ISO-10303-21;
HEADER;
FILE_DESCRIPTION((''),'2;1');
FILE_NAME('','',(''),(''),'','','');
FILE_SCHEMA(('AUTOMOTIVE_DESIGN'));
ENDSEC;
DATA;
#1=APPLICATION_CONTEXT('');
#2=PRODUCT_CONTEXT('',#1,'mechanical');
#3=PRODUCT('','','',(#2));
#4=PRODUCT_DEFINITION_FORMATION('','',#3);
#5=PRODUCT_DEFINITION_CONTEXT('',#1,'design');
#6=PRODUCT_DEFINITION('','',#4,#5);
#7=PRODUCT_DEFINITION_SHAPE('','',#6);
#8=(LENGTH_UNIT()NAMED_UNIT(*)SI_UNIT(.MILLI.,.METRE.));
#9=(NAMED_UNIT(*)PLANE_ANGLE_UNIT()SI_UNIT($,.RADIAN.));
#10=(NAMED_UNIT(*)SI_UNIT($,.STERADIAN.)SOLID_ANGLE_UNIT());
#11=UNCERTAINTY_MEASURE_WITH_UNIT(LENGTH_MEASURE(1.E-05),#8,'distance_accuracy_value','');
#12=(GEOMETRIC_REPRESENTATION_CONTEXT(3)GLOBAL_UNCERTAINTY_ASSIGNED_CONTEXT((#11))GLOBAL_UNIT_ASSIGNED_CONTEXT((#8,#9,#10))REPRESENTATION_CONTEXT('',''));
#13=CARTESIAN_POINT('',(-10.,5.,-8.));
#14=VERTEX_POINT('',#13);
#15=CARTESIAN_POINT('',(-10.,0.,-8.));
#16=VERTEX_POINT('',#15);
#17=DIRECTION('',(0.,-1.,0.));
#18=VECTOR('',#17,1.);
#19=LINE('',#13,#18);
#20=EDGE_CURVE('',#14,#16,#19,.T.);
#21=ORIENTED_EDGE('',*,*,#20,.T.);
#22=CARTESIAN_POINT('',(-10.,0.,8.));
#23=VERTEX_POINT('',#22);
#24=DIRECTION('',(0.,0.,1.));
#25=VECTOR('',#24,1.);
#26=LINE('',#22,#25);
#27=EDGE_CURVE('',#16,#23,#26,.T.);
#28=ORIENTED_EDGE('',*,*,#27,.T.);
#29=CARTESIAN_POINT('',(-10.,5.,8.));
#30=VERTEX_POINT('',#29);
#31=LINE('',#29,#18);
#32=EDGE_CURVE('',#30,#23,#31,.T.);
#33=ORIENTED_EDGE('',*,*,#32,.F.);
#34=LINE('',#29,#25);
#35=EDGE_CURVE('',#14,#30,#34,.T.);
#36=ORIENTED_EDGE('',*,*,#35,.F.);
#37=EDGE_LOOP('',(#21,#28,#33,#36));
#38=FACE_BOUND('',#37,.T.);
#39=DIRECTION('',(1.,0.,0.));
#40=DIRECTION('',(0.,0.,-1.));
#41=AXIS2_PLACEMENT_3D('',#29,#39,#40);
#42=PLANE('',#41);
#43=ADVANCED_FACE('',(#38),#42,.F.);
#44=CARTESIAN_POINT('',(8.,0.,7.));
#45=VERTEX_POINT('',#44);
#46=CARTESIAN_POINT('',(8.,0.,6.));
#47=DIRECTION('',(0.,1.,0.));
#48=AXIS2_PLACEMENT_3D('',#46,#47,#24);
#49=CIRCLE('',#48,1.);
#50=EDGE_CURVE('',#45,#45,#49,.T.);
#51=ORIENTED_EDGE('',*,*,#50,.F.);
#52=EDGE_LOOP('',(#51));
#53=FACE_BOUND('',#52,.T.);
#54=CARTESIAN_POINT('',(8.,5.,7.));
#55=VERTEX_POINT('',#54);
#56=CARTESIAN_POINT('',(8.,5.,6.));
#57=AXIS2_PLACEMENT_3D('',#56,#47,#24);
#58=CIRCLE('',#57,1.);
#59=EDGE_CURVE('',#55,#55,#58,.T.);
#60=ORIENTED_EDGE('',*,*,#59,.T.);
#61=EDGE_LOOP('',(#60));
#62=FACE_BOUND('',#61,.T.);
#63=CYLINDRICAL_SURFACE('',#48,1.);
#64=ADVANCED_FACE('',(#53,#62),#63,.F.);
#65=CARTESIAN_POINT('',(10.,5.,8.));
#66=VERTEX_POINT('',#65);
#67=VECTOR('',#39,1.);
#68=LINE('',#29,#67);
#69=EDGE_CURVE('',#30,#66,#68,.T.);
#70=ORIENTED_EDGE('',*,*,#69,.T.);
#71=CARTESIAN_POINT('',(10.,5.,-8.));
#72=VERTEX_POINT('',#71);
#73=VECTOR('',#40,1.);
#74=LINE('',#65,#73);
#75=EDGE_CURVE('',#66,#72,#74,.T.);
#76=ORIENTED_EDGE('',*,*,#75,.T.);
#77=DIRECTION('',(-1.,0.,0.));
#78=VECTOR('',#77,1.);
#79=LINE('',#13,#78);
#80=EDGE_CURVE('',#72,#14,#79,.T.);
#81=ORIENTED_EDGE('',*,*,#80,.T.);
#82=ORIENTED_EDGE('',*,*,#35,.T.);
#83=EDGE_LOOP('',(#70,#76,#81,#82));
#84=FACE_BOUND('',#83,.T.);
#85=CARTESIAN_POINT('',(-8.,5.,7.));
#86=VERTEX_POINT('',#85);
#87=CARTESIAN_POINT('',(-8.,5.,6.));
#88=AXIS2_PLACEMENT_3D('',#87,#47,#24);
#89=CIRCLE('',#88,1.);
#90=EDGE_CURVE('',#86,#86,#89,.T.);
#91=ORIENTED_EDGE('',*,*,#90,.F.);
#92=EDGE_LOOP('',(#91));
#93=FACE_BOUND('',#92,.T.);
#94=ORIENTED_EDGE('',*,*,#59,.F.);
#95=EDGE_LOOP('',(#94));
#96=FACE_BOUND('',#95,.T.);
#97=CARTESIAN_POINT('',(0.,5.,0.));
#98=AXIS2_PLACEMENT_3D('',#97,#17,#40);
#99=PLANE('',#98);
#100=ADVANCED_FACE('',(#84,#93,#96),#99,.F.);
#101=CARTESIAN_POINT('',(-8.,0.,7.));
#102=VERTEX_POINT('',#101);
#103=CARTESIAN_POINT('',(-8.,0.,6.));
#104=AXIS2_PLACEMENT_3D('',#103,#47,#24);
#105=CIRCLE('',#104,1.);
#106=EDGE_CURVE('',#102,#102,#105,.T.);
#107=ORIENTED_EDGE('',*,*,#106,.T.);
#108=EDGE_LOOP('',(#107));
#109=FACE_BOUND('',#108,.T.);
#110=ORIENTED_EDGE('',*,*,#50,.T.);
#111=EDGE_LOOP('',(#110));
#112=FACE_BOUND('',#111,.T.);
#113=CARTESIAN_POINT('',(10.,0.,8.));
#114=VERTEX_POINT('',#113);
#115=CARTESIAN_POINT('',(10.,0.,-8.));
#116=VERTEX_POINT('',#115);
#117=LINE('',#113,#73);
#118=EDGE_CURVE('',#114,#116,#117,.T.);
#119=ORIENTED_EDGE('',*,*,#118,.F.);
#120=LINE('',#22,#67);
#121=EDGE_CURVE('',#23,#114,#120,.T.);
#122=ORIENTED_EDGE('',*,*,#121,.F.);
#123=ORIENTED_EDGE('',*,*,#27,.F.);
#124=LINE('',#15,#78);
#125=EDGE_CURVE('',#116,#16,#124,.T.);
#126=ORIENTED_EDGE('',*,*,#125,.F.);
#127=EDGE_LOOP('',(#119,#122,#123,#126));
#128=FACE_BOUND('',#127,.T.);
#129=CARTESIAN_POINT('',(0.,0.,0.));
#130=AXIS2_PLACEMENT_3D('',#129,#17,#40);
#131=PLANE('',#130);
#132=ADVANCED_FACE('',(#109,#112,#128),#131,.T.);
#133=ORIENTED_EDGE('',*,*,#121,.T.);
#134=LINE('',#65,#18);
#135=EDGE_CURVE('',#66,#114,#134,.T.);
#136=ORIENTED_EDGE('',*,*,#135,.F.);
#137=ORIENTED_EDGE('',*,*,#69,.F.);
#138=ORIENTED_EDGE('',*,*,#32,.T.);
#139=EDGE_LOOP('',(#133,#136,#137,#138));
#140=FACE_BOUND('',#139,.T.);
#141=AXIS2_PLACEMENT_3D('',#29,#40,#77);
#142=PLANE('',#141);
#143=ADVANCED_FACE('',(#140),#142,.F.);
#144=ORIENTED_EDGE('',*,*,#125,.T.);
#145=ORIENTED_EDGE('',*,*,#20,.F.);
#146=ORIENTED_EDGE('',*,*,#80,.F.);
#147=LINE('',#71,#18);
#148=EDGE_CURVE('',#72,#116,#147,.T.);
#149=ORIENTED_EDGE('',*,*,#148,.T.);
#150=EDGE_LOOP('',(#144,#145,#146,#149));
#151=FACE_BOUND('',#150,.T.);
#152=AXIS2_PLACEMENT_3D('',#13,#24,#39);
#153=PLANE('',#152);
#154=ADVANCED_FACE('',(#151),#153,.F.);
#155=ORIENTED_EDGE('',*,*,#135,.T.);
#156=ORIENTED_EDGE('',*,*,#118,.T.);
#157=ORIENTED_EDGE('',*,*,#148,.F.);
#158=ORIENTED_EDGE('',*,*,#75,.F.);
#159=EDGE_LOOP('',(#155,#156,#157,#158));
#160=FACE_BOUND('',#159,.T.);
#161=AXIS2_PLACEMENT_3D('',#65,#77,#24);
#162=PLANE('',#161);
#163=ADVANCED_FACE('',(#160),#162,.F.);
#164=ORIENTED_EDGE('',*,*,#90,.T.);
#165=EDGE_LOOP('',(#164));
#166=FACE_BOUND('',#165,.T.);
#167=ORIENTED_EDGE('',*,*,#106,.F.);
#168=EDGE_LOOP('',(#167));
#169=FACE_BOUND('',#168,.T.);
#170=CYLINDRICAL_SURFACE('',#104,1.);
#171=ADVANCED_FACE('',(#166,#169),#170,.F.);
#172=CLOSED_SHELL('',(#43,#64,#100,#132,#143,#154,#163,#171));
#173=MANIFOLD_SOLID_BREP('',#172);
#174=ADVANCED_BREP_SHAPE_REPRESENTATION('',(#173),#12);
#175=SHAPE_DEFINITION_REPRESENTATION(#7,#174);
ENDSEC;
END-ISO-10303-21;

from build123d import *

# Parameters (mm, degrees)
SCHIZZO1_W                   = 20
SCHIZZO1_H                   = 16
ESTRUSIONE_ESTRUSIONE1_DEPTH = 5
SCHIZZO2_R                   = 1
TAGLIO_ESTRUSIONE1_DEPTH     = 5


with BuildPart() as part:
    # Schizzo1 → Estrusione-Estrusione1 (new body)
    with BuildSketch(Plane(origin=(0, 0, 0), x_dir=(1, 0, 0), z_dir=(0, 1, 0))):
        Rectangle(SCHIZZO1_W, SCHIZZO1_H)
    extrude(amount=ESTRUSIONE_ESTRUSIONE1_DEPTH)

    # Schizzo2 → Taglio-Estrusione1 (cut)
    with BuildSketch(Plane(origin=(0, 5, 0), x_dir=(1, 0, 0), z_dir=(0, 1, 0))):
        with Locations(Location((-8, -6, 0), (0, 0, 270))):
            Circle(SCHIZZO2_R)
        with Locations(Location((8, -6, 0), (0, 0, 270))):
            Circle(SCHIZZO2_R)
    extrude(amount=-TAGLIO_ESTRUSIONE1_DEPTH, mode=Mode.SUBTRACT)


solid = part.part
